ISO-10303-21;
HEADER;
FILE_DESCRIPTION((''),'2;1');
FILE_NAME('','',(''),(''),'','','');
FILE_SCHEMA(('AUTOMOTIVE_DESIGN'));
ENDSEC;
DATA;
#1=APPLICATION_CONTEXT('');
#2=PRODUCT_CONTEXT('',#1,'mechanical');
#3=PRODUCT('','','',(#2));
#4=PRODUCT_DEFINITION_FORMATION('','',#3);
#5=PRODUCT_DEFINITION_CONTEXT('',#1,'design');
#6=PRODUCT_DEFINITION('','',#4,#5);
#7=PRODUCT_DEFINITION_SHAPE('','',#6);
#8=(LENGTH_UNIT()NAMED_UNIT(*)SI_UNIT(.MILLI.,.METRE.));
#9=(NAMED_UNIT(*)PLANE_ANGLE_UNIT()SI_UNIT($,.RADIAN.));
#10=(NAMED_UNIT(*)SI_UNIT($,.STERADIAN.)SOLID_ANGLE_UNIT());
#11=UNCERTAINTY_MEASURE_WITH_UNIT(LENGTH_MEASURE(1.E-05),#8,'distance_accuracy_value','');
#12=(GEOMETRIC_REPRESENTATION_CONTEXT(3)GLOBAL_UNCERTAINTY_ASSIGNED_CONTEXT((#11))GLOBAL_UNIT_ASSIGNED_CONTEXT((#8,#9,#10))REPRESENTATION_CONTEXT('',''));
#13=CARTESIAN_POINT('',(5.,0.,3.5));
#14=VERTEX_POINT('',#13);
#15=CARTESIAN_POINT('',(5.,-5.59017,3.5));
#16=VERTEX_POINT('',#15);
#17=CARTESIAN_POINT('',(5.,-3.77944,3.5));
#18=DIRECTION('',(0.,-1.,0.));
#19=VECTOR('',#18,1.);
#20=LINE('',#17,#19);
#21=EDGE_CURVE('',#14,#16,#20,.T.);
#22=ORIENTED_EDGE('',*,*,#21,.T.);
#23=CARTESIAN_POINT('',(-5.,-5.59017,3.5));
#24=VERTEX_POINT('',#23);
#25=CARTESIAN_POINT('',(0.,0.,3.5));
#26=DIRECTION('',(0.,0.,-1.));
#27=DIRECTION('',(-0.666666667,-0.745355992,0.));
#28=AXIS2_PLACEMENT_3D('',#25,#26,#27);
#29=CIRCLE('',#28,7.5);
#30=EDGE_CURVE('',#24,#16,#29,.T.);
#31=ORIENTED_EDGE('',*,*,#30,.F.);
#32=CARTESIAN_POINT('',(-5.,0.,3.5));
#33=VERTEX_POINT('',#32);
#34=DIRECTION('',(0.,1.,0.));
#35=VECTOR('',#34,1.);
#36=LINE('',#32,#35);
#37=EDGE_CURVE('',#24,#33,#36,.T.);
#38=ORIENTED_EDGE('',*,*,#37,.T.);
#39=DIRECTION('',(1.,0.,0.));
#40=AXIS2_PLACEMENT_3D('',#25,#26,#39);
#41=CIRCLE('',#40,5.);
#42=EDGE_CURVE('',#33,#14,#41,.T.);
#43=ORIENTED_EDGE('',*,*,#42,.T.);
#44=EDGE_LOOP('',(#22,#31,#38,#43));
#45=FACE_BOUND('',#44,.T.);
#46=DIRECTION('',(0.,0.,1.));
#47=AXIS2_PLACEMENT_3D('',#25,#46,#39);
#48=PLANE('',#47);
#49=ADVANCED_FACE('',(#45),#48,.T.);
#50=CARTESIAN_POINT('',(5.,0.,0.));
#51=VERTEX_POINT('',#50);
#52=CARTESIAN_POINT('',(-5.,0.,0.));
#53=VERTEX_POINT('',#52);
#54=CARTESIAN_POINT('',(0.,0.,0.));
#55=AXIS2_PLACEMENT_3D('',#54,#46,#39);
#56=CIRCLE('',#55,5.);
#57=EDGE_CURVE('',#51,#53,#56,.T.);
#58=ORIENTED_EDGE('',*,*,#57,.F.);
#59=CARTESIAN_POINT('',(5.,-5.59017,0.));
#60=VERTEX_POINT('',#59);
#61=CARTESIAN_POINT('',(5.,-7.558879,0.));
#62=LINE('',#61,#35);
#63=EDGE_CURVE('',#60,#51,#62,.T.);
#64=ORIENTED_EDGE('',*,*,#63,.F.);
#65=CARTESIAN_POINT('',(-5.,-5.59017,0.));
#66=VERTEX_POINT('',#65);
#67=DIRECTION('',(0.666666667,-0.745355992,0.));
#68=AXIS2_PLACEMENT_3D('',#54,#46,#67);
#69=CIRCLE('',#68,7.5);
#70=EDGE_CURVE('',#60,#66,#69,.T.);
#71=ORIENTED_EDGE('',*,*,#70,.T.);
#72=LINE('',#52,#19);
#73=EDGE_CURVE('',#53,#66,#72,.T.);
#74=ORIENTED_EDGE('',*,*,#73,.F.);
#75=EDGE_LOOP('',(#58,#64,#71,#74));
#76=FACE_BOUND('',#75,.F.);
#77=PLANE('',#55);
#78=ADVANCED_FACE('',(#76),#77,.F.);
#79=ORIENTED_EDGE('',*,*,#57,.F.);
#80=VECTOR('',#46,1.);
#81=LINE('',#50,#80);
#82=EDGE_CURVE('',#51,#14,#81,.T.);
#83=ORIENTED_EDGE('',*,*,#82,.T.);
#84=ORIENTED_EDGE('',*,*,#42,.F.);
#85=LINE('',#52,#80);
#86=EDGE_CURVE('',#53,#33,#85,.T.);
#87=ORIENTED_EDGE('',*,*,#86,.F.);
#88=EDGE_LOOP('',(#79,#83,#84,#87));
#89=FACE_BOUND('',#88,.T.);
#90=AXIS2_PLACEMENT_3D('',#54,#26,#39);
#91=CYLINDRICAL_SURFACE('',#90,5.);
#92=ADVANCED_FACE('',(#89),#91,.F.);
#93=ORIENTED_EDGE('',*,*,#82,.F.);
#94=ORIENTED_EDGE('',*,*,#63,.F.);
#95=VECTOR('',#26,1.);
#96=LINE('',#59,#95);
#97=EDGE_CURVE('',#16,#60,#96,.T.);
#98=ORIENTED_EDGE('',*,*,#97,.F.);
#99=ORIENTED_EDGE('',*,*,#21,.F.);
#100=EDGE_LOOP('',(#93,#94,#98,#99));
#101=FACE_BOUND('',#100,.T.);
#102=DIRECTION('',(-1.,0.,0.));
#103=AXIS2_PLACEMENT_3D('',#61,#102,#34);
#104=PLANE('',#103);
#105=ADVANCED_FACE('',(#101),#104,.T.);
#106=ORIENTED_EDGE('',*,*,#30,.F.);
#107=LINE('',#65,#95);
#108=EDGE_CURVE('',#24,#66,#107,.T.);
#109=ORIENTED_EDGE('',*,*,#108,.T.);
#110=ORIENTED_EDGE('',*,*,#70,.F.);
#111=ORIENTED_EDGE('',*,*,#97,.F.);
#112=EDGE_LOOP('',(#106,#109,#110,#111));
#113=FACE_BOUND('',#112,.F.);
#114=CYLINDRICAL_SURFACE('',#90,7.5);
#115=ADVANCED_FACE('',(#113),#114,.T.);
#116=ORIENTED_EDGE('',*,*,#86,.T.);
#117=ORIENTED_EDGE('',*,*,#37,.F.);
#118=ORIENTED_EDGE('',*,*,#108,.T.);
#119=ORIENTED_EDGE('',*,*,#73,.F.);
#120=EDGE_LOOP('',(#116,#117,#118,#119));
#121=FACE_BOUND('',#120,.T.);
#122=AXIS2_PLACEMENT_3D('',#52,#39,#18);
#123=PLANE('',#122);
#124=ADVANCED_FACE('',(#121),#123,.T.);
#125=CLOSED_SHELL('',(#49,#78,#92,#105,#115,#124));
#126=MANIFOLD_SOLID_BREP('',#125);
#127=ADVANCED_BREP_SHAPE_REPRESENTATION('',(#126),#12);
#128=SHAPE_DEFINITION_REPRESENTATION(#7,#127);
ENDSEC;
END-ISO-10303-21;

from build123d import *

# Parameters (mm, degrees)
F0_R     = 7.5
F2_DEPTH = 3.5
F3_DEPTH = 25


with BuildPart() as f2:
    # F0 (on Top) → F2 (new body)
    with BuildSketch(Plane.XY):
        Circle(F0_R)
    extrude(amount=F2_DEPTH)

    # F1 (on Top) → F3 (cut)
    with BuildSketch(Plane.XY):
        with BuildLine():
            Line((-5, -7.558879), (0, -7.558879))
            Line((0, -7.558879), (5, -7.558879))
            Line((5, -7.558879), (5, 0))
            ThreePointArc((5, 0), (0, 5), (-5, 0))
            Line((-5, 0), (-5, -7.558879))
        make_face()
    extrude(amount=F3_DEPTH, mode=Mode.SUBTRACT)


solid = f2.part
